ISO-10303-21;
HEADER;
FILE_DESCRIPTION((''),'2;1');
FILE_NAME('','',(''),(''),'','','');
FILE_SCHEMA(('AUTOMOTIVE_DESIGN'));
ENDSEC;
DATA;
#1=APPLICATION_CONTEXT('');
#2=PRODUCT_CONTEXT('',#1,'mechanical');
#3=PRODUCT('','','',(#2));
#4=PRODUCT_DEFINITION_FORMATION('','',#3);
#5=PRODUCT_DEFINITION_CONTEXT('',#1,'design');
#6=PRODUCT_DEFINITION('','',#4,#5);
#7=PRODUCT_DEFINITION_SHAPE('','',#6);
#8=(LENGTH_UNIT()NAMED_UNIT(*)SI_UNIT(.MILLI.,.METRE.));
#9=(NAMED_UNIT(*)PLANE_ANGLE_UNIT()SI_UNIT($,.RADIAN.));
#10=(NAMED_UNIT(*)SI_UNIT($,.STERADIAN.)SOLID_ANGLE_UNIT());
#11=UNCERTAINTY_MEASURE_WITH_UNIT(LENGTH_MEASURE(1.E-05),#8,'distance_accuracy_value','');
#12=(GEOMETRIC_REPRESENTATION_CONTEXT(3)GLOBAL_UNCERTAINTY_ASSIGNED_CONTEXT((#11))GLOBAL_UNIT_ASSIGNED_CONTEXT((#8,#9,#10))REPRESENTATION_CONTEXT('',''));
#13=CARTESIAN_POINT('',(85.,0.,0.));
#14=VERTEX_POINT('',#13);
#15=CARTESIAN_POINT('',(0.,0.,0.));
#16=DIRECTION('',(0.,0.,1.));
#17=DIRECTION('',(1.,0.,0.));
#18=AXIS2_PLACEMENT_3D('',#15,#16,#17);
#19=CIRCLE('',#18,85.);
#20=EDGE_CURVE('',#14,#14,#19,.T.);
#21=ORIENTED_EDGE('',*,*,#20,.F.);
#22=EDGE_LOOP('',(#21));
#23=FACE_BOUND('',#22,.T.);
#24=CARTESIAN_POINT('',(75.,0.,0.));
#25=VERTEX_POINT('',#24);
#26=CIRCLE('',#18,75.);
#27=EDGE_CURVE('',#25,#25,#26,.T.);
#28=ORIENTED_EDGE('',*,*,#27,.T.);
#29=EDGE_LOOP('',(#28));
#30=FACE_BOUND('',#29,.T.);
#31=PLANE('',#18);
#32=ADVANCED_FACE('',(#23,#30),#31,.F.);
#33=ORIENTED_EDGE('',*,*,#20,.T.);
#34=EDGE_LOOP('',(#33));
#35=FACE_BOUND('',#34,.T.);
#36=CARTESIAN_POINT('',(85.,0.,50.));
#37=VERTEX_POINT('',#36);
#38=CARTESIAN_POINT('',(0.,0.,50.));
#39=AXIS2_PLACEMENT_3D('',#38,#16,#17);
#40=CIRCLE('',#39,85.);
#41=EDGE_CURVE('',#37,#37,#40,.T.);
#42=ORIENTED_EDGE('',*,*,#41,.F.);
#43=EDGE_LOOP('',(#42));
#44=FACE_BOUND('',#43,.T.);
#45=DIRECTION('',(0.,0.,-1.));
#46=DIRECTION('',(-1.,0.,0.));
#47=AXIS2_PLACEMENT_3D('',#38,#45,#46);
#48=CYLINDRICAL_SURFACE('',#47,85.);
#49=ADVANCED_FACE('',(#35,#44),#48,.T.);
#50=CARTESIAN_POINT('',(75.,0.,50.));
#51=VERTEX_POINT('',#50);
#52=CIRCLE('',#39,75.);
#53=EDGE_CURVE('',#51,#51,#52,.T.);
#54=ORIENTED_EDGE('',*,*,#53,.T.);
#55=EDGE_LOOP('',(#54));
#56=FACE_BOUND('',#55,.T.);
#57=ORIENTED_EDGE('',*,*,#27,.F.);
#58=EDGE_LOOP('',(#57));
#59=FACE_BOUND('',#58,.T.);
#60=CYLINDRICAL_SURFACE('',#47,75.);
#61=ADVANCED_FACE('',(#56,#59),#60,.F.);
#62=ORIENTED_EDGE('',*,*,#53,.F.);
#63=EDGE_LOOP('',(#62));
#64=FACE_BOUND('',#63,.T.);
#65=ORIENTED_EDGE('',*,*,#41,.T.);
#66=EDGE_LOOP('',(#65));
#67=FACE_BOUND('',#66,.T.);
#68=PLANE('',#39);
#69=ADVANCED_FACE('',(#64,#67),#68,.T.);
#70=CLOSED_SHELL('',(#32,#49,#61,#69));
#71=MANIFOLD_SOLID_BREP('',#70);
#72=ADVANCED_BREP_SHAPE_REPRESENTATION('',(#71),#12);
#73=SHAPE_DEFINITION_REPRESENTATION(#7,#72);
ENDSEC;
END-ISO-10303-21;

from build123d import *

# Parameters (mm, degrees)
ESBO_O1_R                = 85
ESBO_O1_R_2              = 75
RESSALTO_EXTRUS_O2_DEPTH = 50


with BuildPart() as part:
    # Esboço1 → Ressalto-extrusão2 (new body)
    with BuildSketch(Plane.XY):
        Circle(ESBO_O1_R)
        Circle(ESBO_O1_R_2, mode=Mode.SUBTRACT)
    extrude(amount=RESSALTO_EXTRUS_O2_DEPTH)


solid = part.part
